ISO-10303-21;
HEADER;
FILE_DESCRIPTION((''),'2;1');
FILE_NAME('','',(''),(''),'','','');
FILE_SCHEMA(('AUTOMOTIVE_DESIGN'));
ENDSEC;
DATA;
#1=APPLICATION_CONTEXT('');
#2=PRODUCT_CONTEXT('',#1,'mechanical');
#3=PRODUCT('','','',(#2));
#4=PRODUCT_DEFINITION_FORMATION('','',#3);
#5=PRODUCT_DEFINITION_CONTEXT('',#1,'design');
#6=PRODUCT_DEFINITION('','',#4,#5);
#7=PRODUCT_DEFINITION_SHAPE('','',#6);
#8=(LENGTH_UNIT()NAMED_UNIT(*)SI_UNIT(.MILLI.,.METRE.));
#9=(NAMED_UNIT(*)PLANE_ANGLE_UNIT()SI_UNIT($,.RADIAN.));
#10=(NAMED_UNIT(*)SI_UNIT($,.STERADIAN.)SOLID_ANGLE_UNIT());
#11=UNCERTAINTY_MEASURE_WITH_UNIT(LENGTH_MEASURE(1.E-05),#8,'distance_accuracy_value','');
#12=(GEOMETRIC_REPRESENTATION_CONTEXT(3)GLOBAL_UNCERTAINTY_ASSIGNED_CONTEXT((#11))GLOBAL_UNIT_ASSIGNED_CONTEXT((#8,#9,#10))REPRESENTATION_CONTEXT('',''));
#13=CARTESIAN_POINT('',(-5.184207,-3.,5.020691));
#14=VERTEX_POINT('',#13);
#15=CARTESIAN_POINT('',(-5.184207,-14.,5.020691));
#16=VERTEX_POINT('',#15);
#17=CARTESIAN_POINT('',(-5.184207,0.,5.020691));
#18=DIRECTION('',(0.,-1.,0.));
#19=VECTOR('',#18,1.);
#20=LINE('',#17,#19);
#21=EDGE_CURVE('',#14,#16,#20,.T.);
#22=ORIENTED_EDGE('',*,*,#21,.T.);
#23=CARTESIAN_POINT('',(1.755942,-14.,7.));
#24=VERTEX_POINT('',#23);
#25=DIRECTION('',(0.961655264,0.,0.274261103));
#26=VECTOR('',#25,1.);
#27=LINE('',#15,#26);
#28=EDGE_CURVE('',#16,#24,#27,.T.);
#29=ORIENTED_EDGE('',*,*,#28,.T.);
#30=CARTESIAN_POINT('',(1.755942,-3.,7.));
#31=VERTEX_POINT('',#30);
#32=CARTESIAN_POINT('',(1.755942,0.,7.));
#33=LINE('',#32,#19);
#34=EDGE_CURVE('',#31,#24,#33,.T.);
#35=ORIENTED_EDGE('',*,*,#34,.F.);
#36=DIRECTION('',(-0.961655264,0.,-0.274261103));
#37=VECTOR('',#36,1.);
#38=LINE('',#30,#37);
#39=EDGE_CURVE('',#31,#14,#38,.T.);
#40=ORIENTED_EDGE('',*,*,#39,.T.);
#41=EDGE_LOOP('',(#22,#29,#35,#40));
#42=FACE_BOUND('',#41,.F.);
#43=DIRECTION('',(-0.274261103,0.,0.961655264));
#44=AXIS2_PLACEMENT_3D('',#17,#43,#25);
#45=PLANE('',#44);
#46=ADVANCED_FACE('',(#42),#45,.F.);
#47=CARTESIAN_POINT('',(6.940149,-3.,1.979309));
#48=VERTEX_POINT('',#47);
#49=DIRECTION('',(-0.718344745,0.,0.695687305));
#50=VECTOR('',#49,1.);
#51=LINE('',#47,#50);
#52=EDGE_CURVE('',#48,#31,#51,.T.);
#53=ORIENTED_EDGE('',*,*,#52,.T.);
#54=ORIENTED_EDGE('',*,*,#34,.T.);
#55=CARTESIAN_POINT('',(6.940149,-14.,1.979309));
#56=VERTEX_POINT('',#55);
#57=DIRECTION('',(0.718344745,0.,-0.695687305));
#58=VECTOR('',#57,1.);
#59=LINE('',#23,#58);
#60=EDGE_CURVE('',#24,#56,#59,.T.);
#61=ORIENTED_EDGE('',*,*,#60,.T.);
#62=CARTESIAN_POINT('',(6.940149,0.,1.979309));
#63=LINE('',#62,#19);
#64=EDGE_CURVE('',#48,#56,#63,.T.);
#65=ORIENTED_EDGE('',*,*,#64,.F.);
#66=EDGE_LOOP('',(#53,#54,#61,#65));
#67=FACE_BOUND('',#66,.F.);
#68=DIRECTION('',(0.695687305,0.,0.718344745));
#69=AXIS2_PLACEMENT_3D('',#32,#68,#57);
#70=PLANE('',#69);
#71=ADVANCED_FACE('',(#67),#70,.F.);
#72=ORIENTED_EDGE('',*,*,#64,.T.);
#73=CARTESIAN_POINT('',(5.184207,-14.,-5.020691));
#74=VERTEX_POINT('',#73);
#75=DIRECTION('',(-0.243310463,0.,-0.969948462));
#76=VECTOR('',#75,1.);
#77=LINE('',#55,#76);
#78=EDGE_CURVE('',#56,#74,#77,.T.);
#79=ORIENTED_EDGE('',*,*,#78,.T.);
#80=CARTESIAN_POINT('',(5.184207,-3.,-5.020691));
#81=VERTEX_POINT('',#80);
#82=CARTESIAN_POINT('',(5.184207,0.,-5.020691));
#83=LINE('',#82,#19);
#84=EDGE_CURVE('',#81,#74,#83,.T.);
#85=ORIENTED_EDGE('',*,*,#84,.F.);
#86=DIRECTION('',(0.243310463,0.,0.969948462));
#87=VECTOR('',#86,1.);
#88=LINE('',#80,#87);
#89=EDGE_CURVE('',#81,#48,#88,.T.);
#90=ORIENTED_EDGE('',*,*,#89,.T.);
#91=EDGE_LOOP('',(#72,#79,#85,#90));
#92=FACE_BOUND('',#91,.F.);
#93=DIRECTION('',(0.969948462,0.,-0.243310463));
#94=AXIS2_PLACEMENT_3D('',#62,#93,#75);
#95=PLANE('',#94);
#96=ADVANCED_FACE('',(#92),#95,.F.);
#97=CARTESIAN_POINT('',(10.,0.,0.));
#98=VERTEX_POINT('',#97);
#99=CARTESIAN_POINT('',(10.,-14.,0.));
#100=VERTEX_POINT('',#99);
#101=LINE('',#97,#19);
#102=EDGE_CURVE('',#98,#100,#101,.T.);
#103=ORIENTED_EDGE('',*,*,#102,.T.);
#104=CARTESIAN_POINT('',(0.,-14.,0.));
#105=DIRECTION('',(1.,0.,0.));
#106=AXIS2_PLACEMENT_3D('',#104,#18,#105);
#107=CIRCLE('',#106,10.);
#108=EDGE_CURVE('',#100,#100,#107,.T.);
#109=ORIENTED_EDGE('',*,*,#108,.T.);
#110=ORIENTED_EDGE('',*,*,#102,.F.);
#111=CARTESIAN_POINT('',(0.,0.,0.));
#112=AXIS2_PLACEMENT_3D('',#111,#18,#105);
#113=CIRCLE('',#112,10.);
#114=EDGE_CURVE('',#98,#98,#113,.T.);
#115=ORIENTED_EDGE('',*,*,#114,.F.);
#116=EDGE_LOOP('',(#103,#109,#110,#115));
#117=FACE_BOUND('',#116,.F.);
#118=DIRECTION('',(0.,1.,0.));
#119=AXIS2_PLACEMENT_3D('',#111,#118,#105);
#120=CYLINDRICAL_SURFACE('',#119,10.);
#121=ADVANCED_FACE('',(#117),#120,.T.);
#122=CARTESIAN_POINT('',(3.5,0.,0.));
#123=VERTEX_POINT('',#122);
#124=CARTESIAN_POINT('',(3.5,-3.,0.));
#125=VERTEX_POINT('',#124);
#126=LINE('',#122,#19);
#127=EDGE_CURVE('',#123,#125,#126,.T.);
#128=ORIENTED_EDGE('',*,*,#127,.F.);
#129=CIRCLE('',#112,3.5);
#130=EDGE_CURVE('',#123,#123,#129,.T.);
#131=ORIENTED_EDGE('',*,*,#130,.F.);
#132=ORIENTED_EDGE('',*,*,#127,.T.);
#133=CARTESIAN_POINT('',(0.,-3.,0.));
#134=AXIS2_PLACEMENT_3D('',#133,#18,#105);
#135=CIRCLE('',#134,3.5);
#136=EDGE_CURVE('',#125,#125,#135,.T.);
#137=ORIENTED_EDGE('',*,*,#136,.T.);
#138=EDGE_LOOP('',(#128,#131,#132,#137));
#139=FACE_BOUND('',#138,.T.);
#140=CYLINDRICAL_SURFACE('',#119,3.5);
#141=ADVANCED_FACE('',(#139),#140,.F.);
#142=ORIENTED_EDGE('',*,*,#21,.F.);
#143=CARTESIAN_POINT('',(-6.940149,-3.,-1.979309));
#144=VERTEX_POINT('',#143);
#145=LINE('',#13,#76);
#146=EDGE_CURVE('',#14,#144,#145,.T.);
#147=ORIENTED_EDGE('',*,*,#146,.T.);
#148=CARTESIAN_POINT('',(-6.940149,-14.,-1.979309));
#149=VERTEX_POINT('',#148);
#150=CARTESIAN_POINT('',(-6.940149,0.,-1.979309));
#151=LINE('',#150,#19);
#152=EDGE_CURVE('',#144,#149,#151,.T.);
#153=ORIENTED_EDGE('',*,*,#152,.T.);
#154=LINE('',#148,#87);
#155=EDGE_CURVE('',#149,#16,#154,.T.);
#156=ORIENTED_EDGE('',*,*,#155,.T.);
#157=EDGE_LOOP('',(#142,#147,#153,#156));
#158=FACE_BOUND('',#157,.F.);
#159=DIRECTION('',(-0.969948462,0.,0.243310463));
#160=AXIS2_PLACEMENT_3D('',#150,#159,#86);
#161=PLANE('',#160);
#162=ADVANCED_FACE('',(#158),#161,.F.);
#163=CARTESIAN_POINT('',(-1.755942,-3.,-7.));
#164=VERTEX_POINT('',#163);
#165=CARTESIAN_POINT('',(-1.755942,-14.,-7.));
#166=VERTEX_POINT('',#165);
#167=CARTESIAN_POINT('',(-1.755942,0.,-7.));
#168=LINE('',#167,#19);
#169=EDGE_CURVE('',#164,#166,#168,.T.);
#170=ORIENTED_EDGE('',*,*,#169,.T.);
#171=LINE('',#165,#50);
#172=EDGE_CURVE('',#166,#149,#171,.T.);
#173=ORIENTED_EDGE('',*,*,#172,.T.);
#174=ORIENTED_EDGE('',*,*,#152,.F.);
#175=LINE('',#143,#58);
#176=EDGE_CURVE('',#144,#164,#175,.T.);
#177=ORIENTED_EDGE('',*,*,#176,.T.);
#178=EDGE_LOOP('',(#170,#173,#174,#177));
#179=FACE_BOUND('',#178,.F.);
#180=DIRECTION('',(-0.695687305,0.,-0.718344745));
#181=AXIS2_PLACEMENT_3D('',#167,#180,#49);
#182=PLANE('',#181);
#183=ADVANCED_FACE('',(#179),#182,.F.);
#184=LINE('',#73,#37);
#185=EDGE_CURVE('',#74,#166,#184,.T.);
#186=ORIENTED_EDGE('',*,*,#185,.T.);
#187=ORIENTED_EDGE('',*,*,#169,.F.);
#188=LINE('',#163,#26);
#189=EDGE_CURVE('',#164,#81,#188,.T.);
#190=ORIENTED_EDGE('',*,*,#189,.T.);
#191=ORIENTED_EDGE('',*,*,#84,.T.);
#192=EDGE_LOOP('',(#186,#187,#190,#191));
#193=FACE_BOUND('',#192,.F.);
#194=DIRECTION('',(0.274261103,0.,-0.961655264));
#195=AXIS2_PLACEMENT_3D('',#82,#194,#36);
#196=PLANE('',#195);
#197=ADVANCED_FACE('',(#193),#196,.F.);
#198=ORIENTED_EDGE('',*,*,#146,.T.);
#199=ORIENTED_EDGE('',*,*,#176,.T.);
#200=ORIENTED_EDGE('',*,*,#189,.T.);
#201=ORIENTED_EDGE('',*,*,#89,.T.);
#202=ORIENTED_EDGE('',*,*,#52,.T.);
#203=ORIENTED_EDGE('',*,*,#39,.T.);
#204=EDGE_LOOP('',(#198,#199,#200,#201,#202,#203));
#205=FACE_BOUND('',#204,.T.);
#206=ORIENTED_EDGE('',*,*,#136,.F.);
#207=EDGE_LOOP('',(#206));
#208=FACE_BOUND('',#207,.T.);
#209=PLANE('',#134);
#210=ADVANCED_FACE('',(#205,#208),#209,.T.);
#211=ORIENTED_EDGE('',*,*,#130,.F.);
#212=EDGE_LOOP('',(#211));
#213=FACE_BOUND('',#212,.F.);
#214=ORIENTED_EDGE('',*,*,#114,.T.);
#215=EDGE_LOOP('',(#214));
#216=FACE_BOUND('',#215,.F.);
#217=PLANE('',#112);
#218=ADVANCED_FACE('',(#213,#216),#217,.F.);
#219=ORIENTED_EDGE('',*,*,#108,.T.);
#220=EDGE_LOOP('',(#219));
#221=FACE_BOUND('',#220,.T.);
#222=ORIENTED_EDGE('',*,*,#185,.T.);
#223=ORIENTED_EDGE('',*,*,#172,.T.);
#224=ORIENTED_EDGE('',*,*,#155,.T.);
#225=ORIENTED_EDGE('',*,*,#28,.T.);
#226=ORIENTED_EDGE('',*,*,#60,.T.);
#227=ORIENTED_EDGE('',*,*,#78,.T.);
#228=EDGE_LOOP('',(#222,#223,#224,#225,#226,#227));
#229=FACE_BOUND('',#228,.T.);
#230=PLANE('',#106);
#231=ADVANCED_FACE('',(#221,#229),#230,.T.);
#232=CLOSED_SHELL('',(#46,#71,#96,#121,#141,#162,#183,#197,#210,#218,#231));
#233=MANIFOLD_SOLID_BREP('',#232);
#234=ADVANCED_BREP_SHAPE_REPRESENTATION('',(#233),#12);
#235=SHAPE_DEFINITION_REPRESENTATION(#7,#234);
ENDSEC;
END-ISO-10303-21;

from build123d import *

# Parameters (mm, degrees)
F0_R     = 10
F1_DEPTH = 14
F0_R_2   = 3.5
F2_DEPTH = 3


with BuildPart() as f1:
    # F0 (on Front) → F1 (new body)
    with BuildSketch(Plane.XZ):
        Circle(F0_R)
        Polygon((-5.184207, 5.020691), (1.755942, 7), (6.940149, 1.979309), (5.184207, -5.020691), (-1.755942, -7), (-6.940149, -1.979309), align=None, mode=Mode.SUBTRACT)
    extrude(amount=F1_DEPTH)

    # F0 (on Front) → F2 (join)
    with BuildSketch(Plane.XZ):
        Polygon((6.940149, 1.979309), (1.755942, 7), (-5.184207, 5.020691), (-6.940149, -1.979309), (-1.755942, -7), (5.184207, -5.020691), align=None)
        Circle(F0_R_2, mode=Mode.SUBTRACT)
    extrude(amount=F2_DEPTH)


solid = f1.part
